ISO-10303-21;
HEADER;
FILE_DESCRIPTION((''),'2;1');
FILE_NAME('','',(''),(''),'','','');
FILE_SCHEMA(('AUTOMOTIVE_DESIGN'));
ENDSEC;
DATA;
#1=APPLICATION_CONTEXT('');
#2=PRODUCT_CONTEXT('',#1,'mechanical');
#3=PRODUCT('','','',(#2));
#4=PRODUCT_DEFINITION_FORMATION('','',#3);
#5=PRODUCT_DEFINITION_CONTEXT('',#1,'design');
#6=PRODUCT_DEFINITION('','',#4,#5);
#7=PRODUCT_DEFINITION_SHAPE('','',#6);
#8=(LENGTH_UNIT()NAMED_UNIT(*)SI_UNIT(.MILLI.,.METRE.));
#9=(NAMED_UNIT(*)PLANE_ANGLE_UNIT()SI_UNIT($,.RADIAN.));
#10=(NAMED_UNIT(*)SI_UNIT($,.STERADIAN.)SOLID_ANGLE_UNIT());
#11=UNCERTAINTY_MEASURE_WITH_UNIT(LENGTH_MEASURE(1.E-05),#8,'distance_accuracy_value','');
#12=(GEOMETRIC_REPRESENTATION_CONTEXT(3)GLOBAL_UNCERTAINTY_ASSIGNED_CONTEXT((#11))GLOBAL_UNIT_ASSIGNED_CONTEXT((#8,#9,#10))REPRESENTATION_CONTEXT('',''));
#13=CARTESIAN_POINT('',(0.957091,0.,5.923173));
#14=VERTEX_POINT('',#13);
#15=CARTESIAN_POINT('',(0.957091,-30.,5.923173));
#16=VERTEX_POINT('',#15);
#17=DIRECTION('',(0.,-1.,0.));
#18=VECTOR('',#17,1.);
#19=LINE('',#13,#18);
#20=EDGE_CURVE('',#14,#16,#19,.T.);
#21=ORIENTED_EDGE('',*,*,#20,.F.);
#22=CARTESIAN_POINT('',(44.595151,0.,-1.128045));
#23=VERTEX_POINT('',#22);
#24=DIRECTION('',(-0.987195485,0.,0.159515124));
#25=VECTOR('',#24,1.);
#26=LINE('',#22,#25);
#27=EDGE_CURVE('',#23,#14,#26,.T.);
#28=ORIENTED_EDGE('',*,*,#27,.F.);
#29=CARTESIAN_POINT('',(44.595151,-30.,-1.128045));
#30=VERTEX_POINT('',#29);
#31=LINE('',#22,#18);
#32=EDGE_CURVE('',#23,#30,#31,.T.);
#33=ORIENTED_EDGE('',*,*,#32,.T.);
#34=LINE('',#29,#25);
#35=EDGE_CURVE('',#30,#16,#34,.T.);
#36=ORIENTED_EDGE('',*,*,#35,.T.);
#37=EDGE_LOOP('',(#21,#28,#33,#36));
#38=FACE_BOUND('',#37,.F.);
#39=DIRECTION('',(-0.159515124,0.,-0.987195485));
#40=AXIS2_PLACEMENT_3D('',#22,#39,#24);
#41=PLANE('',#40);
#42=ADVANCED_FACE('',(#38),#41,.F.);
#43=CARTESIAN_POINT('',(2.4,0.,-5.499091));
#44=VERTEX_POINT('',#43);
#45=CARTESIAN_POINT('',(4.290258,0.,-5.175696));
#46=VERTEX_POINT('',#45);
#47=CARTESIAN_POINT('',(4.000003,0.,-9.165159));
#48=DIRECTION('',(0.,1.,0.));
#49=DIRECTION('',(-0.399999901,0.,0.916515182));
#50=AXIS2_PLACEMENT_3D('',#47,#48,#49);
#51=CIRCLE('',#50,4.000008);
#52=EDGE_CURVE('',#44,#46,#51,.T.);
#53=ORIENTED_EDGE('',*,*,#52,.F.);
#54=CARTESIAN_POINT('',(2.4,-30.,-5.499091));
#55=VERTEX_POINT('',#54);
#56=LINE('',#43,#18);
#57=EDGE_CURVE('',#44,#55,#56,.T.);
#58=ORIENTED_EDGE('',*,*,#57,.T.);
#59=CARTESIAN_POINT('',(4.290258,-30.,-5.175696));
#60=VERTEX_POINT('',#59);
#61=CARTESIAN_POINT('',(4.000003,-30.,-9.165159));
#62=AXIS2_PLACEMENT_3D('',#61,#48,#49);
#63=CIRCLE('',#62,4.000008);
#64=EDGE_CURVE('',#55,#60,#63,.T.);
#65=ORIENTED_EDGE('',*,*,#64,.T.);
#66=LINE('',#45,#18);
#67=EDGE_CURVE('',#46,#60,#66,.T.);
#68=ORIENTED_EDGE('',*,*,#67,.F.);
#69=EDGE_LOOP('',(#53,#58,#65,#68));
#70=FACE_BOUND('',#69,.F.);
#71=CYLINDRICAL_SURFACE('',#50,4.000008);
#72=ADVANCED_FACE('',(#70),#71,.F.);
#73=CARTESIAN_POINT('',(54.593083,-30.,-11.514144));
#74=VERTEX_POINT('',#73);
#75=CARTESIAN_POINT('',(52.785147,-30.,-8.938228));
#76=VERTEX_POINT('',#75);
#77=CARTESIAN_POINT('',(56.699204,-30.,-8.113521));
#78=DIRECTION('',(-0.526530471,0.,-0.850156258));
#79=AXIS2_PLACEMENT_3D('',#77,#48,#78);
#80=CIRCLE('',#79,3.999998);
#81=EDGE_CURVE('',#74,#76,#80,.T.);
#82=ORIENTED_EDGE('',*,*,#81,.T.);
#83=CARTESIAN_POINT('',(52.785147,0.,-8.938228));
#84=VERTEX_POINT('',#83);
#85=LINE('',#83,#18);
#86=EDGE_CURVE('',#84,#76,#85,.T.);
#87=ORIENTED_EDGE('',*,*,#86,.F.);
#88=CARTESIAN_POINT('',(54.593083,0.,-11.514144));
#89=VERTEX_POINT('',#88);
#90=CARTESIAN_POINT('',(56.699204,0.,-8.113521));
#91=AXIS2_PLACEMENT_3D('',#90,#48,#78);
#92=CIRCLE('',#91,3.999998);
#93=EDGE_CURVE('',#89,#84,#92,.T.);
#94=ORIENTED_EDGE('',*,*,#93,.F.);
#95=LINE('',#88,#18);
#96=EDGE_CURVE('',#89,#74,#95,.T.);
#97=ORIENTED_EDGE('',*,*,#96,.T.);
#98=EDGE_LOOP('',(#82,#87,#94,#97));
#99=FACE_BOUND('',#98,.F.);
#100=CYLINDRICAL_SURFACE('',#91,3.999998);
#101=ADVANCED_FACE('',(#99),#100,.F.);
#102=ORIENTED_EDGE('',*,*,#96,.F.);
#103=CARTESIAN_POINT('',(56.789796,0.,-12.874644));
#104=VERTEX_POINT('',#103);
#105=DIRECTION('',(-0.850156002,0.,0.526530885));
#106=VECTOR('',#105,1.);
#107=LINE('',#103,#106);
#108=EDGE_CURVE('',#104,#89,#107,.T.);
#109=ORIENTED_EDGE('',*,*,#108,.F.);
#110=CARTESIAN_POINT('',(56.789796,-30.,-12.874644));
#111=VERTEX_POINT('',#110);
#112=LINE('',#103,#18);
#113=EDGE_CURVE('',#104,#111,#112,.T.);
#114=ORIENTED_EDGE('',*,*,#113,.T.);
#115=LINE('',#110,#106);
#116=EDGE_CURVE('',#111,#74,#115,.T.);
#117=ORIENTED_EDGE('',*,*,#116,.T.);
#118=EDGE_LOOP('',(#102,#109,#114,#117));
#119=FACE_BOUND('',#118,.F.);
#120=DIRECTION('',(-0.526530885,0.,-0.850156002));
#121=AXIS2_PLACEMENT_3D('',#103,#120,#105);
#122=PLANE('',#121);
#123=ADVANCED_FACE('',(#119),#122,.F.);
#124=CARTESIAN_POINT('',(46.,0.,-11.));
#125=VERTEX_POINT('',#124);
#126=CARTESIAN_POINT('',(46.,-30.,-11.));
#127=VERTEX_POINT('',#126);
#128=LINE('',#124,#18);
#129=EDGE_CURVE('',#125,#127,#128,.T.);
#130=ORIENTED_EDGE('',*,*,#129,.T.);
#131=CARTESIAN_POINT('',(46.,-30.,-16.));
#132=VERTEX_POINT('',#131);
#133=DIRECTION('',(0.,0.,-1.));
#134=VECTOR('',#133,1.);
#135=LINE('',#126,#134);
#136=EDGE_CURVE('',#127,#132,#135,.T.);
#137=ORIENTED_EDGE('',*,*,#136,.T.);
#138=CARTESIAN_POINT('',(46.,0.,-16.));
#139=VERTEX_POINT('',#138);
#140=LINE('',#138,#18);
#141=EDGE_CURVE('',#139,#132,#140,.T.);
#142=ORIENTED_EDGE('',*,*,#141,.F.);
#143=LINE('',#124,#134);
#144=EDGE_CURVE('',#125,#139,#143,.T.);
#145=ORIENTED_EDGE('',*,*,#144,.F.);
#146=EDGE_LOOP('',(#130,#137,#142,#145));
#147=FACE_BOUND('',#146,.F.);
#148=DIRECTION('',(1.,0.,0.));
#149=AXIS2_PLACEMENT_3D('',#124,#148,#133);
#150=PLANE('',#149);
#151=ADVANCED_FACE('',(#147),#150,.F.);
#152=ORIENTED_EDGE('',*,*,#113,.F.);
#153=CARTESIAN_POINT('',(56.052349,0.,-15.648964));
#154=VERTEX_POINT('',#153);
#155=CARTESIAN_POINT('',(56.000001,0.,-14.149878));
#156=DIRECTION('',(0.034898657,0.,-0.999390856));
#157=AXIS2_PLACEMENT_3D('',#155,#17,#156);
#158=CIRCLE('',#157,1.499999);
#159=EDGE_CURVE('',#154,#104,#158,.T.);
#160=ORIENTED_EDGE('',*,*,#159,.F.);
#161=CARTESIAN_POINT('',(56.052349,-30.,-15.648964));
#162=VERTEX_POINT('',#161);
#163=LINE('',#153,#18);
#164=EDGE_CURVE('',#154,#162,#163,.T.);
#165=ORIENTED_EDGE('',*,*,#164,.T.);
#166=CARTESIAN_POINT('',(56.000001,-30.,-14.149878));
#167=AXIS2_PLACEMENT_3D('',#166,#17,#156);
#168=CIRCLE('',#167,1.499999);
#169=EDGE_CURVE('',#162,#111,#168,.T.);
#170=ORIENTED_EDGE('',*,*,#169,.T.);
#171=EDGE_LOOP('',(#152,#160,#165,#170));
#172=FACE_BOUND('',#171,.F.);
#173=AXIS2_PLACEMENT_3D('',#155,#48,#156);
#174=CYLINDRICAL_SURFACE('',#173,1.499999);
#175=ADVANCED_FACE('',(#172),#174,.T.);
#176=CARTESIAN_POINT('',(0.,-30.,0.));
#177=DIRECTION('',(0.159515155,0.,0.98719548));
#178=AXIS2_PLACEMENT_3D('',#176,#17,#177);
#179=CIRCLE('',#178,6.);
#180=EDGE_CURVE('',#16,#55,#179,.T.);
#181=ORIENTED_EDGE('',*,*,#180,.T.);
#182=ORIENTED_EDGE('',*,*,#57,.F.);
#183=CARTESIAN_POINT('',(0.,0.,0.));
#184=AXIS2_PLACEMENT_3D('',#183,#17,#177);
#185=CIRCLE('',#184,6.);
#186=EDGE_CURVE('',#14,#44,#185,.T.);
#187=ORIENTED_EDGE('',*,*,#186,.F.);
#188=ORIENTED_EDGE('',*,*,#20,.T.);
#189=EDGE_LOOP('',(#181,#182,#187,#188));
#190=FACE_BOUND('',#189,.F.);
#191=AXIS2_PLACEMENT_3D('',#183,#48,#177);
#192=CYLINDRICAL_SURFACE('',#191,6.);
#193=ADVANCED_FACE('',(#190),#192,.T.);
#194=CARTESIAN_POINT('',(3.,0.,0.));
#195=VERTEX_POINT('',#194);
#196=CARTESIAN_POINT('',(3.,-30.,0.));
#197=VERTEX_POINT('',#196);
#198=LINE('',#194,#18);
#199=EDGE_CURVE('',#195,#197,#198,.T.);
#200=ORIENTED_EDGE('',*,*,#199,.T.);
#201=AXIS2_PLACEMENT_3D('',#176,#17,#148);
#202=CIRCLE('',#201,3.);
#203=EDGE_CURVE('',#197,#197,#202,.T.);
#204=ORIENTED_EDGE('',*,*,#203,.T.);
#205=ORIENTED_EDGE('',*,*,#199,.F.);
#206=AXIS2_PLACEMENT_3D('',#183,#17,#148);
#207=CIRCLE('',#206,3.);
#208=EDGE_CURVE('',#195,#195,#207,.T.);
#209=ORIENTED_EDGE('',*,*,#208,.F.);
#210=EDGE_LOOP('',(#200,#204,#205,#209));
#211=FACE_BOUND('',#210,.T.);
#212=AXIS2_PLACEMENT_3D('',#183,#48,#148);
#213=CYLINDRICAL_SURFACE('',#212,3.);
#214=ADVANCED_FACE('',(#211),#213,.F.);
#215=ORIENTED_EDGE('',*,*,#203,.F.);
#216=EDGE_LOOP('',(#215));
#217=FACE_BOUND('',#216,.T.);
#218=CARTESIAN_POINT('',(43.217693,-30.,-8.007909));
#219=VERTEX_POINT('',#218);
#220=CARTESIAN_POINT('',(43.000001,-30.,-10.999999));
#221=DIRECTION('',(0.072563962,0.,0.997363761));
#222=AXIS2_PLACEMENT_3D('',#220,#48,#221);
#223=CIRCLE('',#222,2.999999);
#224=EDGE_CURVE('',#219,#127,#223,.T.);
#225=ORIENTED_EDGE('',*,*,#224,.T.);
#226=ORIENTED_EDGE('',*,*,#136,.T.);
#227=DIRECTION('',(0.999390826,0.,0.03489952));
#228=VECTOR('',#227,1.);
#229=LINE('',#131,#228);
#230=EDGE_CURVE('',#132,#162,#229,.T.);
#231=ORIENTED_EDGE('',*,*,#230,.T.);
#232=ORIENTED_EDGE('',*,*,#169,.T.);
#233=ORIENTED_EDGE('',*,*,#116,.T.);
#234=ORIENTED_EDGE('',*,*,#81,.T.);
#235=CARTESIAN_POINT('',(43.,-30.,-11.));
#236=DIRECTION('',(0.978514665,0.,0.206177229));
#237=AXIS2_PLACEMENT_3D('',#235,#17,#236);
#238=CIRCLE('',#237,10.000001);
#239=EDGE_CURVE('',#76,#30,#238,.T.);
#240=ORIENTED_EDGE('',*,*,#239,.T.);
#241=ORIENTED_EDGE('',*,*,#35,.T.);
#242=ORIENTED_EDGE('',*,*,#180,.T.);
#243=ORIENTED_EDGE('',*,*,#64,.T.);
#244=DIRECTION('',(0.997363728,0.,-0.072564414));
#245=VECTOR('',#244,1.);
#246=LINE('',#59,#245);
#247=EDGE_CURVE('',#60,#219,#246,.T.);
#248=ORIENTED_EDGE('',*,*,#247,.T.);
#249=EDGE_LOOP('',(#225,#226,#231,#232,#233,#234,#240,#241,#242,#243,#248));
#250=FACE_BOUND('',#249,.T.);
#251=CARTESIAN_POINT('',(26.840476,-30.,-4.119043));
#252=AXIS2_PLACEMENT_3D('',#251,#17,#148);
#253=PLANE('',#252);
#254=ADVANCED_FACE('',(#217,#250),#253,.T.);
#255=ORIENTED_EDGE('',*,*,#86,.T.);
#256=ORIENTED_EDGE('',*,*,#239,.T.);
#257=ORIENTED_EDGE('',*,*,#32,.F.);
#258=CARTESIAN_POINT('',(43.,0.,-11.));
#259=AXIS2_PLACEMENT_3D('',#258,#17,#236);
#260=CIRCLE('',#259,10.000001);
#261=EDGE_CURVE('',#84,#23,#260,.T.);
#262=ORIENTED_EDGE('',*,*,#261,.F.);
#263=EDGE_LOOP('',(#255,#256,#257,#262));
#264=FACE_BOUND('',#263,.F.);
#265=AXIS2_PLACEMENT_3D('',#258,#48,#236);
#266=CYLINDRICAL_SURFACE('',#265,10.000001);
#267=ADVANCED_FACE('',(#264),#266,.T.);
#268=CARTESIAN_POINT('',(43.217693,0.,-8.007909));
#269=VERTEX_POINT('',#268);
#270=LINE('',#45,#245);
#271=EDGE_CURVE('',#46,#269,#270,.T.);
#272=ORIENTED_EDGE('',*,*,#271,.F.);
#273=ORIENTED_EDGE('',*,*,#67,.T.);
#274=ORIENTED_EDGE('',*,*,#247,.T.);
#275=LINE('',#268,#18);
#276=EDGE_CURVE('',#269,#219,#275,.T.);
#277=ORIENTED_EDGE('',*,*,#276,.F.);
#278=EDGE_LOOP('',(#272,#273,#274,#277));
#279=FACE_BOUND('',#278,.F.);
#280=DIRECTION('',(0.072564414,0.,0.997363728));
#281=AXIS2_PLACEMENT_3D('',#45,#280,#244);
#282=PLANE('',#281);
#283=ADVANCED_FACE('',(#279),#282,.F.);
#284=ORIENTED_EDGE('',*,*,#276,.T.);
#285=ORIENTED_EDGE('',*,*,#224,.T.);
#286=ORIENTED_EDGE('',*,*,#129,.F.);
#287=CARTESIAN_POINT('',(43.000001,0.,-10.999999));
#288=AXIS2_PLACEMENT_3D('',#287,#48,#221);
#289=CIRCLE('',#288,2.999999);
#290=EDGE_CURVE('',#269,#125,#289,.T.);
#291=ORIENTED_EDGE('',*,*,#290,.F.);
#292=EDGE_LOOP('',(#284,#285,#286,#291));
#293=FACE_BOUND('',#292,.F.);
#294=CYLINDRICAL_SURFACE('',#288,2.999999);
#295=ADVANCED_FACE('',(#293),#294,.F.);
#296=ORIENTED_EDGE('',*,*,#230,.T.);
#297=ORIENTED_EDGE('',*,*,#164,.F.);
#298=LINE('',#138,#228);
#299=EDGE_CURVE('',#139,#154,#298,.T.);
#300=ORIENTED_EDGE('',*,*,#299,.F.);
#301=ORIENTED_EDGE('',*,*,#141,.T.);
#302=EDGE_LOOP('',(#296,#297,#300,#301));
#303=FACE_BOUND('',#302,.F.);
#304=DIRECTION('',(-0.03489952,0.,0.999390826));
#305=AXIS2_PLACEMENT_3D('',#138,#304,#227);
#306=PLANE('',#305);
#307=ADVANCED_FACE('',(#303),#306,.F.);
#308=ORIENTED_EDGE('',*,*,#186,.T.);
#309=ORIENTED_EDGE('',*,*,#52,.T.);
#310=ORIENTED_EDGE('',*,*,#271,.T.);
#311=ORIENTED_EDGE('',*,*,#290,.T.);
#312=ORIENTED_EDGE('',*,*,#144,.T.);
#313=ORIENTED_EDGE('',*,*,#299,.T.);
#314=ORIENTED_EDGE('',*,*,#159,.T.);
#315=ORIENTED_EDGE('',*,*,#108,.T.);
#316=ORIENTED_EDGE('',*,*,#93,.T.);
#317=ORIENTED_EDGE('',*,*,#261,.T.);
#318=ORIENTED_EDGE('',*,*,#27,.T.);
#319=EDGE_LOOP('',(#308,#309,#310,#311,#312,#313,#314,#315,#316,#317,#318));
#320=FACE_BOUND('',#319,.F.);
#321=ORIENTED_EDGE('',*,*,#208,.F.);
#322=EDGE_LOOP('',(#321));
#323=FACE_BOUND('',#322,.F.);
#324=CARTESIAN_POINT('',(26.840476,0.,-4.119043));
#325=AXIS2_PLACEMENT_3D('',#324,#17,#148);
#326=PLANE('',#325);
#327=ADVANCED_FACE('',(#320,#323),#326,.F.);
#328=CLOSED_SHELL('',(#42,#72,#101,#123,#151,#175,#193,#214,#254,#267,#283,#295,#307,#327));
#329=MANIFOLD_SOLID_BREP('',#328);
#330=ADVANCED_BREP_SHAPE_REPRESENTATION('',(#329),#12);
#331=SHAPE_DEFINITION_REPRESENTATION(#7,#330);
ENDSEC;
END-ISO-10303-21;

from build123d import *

# Parameters (mm, degrees)
F0_R     = 3
F1_DEPTH = 30


with BuildPart() as f1:
    # F0 (on Front) → F1 (new body)
    with BuildSketch(Plane.XZ):
        with BuildLine():
            ThreePointArc((43.217693, -8.007909), (45.196939, -8.957095), (46, -11))
            Line((46, -11), (46, -16))
            Line((46, -16), (56.052349, -15.648964))
            ThreePointArc((56.052349, -15.648964), (57.449661, -14.535215), (56.789796, -12.874644))
            Line((56.789796, -12.874644), (54.593083, -11.514144))
            ThreePointArc((54.593083, -11.514144), (53.425144, -10.411458), (52.785147, -8.938228))
            ThreePointArc((52.785147, -8.938228), (49.901271, -3.763118), (44.595151, -1.128045))
            Line((44.595151, -1.128045), (0.957091, 5.923173))
            ThreePointArc((0.957091, 5.923173), (-5.952692, -0.75197), (2.4, -5.499091))
            ThreePointArc((2.4, -5.499091), (3.325461, -5.222437), (4.290258, -5.175696))
            Line((4.290258, -5.175696), (43.217693, -8.007909))
        make_face()
        Circle(F0_R, mode=Mode.SUBTRACT)
    extrude(amount=F1_DEPTH)


solid = f1.part
